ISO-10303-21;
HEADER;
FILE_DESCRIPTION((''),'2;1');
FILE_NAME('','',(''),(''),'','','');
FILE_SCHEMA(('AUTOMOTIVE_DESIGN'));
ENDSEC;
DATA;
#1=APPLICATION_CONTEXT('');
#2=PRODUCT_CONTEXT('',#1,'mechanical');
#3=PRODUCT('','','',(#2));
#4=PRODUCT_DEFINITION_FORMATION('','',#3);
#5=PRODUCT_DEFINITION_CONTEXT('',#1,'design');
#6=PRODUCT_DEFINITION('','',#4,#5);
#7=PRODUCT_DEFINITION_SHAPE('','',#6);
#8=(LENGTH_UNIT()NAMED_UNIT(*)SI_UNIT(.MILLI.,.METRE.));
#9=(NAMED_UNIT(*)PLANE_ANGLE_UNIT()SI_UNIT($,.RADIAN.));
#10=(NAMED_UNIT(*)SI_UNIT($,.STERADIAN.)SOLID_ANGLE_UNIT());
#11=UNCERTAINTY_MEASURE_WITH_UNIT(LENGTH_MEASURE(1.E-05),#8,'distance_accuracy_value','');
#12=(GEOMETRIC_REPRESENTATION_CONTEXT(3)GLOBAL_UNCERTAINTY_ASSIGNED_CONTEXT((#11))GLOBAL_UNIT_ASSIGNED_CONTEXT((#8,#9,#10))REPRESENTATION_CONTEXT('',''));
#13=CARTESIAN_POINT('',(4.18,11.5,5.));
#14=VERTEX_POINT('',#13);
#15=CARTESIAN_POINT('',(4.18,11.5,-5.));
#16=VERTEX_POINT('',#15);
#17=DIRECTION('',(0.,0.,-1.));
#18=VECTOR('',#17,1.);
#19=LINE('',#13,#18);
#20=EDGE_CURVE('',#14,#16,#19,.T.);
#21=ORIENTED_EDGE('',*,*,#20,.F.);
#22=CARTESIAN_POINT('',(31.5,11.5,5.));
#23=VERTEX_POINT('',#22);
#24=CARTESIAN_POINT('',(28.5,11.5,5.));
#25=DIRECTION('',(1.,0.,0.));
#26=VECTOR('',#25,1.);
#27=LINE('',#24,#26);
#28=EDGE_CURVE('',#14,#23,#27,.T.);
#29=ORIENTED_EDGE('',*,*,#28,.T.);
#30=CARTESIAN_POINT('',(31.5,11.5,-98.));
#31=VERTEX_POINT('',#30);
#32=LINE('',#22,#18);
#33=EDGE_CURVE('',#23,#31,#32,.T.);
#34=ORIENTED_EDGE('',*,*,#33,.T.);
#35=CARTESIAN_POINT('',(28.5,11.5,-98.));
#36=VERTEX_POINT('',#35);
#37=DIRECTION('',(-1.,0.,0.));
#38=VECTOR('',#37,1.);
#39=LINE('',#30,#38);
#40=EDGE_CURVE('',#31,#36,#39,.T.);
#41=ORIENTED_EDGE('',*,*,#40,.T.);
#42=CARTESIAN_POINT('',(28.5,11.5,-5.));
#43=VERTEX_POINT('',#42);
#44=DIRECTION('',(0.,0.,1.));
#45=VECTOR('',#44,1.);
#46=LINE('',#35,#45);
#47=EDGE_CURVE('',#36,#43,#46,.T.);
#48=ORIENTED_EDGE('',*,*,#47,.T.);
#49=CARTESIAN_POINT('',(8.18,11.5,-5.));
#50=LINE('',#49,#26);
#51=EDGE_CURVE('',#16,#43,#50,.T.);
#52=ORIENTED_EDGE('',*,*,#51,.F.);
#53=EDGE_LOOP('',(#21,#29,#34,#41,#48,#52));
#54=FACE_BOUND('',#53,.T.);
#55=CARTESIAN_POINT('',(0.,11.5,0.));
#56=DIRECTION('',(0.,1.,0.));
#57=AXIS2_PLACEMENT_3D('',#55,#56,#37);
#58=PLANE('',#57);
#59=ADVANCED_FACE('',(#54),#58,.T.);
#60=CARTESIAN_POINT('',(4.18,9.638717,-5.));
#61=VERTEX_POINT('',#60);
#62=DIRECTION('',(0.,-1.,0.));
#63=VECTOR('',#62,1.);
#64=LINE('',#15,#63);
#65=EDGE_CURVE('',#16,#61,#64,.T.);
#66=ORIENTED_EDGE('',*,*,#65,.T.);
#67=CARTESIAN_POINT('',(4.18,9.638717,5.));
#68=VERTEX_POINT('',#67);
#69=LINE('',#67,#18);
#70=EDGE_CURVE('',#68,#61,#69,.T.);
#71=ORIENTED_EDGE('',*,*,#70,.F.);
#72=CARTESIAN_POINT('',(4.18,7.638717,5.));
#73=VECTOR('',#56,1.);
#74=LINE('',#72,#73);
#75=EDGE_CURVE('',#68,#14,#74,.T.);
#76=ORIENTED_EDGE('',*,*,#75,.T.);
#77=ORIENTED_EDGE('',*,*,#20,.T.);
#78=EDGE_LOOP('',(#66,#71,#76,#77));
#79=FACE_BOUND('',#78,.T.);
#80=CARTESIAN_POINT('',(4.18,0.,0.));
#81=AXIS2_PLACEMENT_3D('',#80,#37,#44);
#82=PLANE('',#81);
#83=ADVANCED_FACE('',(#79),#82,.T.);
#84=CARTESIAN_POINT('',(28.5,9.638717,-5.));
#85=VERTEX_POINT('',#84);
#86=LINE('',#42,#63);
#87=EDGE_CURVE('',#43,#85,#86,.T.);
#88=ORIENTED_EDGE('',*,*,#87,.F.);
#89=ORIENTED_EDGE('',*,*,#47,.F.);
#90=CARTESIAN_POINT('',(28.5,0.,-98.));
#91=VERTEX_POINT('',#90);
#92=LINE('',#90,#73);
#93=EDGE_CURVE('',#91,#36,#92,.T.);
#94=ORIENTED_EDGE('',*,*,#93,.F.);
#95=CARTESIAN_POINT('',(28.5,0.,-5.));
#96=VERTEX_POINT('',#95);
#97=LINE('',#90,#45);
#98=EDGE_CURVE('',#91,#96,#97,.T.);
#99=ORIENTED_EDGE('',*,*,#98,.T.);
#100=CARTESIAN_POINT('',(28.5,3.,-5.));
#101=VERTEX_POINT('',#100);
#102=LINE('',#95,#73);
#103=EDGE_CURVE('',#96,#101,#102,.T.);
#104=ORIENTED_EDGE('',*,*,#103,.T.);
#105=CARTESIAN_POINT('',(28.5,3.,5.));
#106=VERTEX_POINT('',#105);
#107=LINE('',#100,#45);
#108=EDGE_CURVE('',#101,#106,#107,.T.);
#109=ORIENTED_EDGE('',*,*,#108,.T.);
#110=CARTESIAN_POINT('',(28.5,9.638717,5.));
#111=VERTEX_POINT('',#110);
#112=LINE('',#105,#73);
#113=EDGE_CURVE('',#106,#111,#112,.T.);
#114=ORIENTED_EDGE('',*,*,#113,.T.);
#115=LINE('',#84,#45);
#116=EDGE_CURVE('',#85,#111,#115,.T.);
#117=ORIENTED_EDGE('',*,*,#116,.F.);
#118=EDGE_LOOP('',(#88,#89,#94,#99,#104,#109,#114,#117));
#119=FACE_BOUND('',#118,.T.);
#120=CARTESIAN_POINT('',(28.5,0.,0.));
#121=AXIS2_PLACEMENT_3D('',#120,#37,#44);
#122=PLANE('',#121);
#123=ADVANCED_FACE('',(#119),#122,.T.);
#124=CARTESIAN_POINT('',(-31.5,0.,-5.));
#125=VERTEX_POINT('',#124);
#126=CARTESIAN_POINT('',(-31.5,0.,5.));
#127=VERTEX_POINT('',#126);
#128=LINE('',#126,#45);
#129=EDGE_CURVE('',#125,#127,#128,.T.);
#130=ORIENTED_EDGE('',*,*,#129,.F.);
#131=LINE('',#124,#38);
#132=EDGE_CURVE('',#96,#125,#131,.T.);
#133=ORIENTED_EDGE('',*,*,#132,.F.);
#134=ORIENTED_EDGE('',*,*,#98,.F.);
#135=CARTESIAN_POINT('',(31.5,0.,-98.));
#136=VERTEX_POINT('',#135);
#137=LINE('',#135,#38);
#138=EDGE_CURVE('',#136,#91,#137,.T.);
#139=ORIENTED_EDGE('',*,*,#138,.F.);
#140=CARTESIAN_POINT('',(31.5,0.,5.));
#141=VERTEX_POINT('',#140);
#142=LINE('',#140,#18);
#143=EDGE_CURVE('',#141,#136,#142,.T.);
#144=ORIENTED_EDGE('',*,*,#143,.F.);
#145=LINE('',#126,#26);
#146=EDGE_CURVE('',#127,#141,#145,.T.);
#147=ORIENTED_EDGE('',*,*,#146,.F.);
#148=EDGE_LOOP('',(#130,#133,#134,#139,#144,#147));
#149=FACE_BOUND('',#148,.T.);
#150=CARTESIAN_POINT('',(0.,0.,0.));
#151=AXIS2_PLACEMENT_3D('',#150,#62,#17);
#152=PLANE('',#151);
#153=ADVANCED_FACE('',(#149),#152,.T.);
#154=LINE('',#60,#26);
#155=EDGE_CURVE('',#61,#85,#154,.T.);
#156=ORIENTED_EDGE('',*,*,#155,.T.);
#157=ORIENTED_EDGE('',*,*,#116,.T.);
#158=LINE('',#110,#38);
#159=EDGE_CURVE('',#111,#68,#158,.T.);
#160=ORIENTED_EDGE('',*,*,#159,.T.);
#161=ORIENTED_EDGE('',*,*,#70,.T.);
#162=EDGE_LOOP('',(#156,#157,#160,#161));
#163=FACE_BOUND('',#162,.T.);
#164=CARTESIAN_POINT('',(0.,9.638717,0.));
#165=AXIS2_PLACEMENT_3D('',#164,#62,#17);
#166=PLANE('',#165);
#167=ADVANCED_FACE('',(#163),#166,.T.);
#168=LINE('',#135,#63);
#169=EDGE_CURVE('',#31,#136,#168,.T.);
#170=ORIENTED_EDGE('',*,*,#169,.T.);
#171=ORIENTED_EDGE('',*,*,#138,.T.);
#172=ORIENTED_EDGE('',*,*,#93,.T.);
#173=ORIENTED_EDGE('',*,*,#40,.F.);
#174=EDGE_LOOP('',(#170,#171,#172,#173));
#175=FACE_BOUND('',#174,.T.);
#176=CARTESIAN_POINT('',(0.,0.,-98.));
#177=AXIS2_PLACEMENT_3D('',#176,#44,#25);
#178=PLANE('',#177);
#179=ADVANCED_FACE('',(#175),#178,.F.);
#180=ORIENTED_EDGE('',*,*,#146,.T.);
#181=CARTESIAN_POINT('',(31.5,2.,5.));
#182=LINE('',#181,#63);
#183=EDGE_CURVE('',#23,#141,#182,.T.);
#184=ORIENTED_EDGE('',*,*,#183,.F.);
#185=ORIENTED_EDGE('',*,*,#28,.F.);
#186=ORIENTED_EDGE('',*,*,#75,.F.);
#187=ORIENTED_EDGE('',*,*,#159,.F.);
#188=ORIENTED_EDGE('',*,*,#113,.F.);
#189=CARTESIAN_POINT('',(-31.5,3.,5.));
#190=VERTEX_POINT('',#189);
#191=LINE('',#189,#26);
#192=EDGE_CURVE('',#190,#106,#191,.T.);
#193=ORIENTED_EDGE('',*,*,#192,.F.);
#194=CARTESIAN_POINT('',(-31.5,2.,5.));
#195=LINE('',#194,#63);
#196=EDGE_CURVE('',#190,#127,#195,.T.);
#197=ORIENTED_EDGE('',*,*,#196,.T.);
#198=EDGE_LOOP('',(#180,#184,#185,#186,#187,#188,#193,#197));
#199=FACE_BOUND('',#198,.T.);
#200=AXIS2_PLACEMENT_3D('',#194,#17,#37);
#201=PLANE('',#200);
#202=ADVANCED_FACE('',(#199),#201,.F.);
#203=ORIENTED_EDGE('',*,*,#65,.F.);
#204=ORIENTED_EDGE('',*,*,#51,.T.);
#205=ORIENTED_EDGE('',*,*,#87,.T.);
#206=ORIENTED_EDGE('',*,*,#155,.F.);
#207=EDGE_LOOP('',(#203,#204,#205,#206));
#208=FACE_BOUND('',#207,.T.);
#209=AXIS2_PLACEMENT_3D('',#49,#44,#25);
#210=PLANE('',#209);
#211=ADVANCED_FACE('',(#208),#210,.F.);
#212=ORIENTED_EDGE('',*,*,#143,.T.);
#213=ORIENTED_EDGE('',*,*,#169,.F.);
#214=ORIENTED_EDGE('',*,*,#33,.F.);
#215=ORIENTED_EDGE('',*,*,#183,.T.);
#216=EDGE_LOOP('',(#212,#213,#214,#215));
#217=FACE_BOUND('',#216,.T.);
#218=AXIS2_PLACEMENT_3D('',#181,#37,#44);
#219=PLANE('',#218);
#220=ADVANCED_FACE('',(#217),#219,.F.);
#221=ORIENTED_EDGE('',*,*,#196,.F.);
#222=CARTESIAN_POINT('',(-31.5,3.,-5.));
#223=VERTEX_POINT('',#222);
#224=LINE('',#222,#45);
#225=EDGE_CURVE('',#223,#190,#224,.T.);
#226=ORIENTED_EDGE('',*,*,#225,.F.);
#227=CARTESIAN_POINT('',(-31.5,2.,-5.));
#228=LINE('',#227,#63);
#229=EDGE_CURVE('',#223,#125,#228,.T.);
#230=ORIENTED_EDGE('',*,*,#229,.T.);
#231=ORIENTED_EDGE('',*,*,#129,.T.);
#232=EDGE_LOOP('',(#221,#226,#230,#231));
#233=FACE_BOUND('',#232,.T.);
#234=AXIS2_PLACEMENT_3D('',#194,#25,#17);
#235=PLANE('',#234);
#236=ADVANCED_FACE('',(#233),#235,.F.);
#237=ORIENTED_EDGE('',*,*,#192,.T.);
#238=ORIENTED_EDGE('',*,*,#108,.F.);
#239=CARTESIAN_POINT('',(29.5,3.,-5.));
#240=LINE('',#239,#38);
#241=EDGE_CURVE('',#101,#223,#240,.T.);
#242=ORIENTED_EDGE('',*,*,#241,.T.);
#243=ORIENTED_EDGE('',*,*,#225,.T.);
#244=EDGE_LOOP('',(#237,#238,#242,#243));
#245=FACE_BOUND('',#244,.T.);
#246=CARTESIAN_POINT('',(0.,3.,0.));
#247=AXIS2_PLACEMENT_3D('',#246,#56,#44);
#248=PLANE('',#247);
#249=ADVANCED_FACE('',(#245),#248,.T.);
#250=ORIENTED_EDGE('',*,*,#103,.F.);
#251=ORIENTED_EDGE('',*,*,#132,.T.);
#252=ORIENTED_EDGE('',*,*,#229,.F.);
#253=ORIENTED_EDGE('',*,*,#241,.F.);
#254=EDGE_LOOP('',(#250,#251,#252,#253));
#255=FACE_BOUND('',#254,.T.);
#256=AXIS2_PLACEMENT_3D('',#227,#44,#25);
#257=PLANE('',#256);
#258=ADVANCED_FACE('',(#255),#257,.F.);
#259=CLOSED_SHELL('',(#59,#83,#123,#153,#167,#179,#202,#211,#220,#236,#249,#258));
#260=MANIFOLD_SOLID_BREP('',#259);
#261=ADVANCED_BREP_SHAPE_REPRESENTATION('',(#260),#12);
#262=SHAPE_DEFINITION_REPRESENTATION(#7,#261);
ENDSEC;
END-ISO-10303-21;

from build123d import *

# Parameters (mm, degrees)
SKETCH_1_W          = 63
SKETCH_1_H          = 10
EXTRUDE_1_DEPTH     = 2
SKETCH_4_W          = 2
SKETCH_4_H          = 10
EXTRUDE_2_DEPTH     = 93
SKETCH_5_W          = 61
SKETCH_5_H          = 10
EXTRUDE_3_DEPTH     = 1
SKETCH_6_W          = 10
SKETCH_6_H          = 92
EXTRUDE_4_DEPTH     = 1
SKETCH_7_W          = 3
SKETCH_7_H          = 10
EXTRUDE_5_DEPTH     = 93
SKETCH_10_W         = 26.594312394
SKETCH_10_H         = 101.559656513
CUT_EXTRUDE_1_DEPTH = 93
SKETCH_11_W         = 3
SKETCH_11_H         = 103
EXTRUDE_6_DEPTH     = 1.5
SKETCH_12_W         = 10
SKETCH_12_H         = 3.861283188
EXTRUDE_7_DEPTH     = 20.32
SKETCH_13_W         = 10
SKETCH_13_H         = 3.861283188
EXTRUDE_8_DEPTH     = 4
SKETCH_14_W         = 24.32
SKETCH_14_H         = 10
CUT_EXTRUDE_2_DEPTH = 2


with BuildPart() as part:
    # 草图1 → 凸台-拉伸1 (new body)
    with BuildSketch(Plane(origin=(0, 0, 0), x_dir=(1, 0, 0), z_dir=(0, 1, 0))):
        Rectangle(SKETCH_1_W, SKETCH_1_H)
    extrude(amount=EXTRUDE_1_DEPTH)

    # 草图4 → 凸台-拉伸2 (add)
    with BuildSketch(Plane(origin=(0, 2, 0), x_dir=(1, 0, 0), z_dir=(0, 1, 0))):
        with Locations((30.5, 0)):
            Rectangle(SKETCH_4_W, SKETCH_4_H)
    extrude(amount=EXTRUDE_2_DEPTH)

    # 草图5 → 凸台-拉伸3 (add)
    with BuildSketch(Plane(origin=(0, 2, 0), x_dir=(1, 0, 0), z_dir=(0, 1, 0))):
        with Locations((-1, 0)):
            Rectangle(SKETCH_5_W, SKETCH_5_H)
    extrude(amount=EXTRUDE_3_DEPTH)

    # 草图6 → 凸台-拉伸4 (add)
    with BuildSketch(Plane.ZY.offset(-29.5)):
        with Locations((0, 49)):
            Rectangle(SKETCH_6_W, SKETCH_6_H)
    extrude(amount=EXTRUDE_4_DEPTH)

    # 草图7 → 凸台-拉伸5 (add)
    with BuildSketch(Plane(origin=(0, 0, -5), x_dir=(-1, 0, 0), z_dir=(0, 0, -1))):
        with Locations((-30, 5)):
            Rectangle(SKETCH_7_W, SKETCH_7_H)
    extrude(amount=EXTRUDE_5_DEPTH)

    # 草图10 → 切除-拉伸1 (cut)
    with BuildSketch(Plane.ZY.offset(-28.5)):
        with Locations((8.297156197, 60.779828257)):
            Rectangle(SKETCH_10_W, SKETCH_10_H)
    extrude(amount=-CUT_EXTRUDE_1_DEPTH, mode=Mode.SUBTRACT)

    # 草图11 → 凸台-拉伸6 (add)
    with BuildSketch(Plane(origin=(0, 10, 0), x_dir=(1, 0, 0), z_dir=(0, 1, 0))):
        with Locations((30, 46.5)):
            Rectangle(SKETCH_11_W, SKETCH_11_H)
    extrude(amount=EXTRUDE_6_DEPTH)

    # 草图12 → 凸台-拉伸7 (add)
    with BuildSketch(Plane.ZY.offset(-28.5)):
        with Locations((0, 9.569358406)):
            Rectangle(SKETCH_12_W, SKETCH_12_H)
    extrude(amount=EXTRUDE_7_DEPTH)

    # 草图13 → 凸台-拉伸8 (add)
    with BuildSketch(Plane.ZY.offset(-8.18)):
        with Locations((0, 9.569358406)):
            Rectangle(SKETCH_13_W, SKETCH_13_H)
    extrude(amount=EXTRUDE_8_DEPTH)

    # 草图14 → 切除-拉伸2 (cut)
    with BuildSketch(Plane.XZ.offset(-7.638716812)):
        with Locations((16.34, 0)):
            Rectangle(SKETCH_14_W, SKETCH_14_H)
    extrude(amount=-CUT_EXTRUDE_2_DEPTH, mode=Mode.SUBTRACT)


solid = part.part
